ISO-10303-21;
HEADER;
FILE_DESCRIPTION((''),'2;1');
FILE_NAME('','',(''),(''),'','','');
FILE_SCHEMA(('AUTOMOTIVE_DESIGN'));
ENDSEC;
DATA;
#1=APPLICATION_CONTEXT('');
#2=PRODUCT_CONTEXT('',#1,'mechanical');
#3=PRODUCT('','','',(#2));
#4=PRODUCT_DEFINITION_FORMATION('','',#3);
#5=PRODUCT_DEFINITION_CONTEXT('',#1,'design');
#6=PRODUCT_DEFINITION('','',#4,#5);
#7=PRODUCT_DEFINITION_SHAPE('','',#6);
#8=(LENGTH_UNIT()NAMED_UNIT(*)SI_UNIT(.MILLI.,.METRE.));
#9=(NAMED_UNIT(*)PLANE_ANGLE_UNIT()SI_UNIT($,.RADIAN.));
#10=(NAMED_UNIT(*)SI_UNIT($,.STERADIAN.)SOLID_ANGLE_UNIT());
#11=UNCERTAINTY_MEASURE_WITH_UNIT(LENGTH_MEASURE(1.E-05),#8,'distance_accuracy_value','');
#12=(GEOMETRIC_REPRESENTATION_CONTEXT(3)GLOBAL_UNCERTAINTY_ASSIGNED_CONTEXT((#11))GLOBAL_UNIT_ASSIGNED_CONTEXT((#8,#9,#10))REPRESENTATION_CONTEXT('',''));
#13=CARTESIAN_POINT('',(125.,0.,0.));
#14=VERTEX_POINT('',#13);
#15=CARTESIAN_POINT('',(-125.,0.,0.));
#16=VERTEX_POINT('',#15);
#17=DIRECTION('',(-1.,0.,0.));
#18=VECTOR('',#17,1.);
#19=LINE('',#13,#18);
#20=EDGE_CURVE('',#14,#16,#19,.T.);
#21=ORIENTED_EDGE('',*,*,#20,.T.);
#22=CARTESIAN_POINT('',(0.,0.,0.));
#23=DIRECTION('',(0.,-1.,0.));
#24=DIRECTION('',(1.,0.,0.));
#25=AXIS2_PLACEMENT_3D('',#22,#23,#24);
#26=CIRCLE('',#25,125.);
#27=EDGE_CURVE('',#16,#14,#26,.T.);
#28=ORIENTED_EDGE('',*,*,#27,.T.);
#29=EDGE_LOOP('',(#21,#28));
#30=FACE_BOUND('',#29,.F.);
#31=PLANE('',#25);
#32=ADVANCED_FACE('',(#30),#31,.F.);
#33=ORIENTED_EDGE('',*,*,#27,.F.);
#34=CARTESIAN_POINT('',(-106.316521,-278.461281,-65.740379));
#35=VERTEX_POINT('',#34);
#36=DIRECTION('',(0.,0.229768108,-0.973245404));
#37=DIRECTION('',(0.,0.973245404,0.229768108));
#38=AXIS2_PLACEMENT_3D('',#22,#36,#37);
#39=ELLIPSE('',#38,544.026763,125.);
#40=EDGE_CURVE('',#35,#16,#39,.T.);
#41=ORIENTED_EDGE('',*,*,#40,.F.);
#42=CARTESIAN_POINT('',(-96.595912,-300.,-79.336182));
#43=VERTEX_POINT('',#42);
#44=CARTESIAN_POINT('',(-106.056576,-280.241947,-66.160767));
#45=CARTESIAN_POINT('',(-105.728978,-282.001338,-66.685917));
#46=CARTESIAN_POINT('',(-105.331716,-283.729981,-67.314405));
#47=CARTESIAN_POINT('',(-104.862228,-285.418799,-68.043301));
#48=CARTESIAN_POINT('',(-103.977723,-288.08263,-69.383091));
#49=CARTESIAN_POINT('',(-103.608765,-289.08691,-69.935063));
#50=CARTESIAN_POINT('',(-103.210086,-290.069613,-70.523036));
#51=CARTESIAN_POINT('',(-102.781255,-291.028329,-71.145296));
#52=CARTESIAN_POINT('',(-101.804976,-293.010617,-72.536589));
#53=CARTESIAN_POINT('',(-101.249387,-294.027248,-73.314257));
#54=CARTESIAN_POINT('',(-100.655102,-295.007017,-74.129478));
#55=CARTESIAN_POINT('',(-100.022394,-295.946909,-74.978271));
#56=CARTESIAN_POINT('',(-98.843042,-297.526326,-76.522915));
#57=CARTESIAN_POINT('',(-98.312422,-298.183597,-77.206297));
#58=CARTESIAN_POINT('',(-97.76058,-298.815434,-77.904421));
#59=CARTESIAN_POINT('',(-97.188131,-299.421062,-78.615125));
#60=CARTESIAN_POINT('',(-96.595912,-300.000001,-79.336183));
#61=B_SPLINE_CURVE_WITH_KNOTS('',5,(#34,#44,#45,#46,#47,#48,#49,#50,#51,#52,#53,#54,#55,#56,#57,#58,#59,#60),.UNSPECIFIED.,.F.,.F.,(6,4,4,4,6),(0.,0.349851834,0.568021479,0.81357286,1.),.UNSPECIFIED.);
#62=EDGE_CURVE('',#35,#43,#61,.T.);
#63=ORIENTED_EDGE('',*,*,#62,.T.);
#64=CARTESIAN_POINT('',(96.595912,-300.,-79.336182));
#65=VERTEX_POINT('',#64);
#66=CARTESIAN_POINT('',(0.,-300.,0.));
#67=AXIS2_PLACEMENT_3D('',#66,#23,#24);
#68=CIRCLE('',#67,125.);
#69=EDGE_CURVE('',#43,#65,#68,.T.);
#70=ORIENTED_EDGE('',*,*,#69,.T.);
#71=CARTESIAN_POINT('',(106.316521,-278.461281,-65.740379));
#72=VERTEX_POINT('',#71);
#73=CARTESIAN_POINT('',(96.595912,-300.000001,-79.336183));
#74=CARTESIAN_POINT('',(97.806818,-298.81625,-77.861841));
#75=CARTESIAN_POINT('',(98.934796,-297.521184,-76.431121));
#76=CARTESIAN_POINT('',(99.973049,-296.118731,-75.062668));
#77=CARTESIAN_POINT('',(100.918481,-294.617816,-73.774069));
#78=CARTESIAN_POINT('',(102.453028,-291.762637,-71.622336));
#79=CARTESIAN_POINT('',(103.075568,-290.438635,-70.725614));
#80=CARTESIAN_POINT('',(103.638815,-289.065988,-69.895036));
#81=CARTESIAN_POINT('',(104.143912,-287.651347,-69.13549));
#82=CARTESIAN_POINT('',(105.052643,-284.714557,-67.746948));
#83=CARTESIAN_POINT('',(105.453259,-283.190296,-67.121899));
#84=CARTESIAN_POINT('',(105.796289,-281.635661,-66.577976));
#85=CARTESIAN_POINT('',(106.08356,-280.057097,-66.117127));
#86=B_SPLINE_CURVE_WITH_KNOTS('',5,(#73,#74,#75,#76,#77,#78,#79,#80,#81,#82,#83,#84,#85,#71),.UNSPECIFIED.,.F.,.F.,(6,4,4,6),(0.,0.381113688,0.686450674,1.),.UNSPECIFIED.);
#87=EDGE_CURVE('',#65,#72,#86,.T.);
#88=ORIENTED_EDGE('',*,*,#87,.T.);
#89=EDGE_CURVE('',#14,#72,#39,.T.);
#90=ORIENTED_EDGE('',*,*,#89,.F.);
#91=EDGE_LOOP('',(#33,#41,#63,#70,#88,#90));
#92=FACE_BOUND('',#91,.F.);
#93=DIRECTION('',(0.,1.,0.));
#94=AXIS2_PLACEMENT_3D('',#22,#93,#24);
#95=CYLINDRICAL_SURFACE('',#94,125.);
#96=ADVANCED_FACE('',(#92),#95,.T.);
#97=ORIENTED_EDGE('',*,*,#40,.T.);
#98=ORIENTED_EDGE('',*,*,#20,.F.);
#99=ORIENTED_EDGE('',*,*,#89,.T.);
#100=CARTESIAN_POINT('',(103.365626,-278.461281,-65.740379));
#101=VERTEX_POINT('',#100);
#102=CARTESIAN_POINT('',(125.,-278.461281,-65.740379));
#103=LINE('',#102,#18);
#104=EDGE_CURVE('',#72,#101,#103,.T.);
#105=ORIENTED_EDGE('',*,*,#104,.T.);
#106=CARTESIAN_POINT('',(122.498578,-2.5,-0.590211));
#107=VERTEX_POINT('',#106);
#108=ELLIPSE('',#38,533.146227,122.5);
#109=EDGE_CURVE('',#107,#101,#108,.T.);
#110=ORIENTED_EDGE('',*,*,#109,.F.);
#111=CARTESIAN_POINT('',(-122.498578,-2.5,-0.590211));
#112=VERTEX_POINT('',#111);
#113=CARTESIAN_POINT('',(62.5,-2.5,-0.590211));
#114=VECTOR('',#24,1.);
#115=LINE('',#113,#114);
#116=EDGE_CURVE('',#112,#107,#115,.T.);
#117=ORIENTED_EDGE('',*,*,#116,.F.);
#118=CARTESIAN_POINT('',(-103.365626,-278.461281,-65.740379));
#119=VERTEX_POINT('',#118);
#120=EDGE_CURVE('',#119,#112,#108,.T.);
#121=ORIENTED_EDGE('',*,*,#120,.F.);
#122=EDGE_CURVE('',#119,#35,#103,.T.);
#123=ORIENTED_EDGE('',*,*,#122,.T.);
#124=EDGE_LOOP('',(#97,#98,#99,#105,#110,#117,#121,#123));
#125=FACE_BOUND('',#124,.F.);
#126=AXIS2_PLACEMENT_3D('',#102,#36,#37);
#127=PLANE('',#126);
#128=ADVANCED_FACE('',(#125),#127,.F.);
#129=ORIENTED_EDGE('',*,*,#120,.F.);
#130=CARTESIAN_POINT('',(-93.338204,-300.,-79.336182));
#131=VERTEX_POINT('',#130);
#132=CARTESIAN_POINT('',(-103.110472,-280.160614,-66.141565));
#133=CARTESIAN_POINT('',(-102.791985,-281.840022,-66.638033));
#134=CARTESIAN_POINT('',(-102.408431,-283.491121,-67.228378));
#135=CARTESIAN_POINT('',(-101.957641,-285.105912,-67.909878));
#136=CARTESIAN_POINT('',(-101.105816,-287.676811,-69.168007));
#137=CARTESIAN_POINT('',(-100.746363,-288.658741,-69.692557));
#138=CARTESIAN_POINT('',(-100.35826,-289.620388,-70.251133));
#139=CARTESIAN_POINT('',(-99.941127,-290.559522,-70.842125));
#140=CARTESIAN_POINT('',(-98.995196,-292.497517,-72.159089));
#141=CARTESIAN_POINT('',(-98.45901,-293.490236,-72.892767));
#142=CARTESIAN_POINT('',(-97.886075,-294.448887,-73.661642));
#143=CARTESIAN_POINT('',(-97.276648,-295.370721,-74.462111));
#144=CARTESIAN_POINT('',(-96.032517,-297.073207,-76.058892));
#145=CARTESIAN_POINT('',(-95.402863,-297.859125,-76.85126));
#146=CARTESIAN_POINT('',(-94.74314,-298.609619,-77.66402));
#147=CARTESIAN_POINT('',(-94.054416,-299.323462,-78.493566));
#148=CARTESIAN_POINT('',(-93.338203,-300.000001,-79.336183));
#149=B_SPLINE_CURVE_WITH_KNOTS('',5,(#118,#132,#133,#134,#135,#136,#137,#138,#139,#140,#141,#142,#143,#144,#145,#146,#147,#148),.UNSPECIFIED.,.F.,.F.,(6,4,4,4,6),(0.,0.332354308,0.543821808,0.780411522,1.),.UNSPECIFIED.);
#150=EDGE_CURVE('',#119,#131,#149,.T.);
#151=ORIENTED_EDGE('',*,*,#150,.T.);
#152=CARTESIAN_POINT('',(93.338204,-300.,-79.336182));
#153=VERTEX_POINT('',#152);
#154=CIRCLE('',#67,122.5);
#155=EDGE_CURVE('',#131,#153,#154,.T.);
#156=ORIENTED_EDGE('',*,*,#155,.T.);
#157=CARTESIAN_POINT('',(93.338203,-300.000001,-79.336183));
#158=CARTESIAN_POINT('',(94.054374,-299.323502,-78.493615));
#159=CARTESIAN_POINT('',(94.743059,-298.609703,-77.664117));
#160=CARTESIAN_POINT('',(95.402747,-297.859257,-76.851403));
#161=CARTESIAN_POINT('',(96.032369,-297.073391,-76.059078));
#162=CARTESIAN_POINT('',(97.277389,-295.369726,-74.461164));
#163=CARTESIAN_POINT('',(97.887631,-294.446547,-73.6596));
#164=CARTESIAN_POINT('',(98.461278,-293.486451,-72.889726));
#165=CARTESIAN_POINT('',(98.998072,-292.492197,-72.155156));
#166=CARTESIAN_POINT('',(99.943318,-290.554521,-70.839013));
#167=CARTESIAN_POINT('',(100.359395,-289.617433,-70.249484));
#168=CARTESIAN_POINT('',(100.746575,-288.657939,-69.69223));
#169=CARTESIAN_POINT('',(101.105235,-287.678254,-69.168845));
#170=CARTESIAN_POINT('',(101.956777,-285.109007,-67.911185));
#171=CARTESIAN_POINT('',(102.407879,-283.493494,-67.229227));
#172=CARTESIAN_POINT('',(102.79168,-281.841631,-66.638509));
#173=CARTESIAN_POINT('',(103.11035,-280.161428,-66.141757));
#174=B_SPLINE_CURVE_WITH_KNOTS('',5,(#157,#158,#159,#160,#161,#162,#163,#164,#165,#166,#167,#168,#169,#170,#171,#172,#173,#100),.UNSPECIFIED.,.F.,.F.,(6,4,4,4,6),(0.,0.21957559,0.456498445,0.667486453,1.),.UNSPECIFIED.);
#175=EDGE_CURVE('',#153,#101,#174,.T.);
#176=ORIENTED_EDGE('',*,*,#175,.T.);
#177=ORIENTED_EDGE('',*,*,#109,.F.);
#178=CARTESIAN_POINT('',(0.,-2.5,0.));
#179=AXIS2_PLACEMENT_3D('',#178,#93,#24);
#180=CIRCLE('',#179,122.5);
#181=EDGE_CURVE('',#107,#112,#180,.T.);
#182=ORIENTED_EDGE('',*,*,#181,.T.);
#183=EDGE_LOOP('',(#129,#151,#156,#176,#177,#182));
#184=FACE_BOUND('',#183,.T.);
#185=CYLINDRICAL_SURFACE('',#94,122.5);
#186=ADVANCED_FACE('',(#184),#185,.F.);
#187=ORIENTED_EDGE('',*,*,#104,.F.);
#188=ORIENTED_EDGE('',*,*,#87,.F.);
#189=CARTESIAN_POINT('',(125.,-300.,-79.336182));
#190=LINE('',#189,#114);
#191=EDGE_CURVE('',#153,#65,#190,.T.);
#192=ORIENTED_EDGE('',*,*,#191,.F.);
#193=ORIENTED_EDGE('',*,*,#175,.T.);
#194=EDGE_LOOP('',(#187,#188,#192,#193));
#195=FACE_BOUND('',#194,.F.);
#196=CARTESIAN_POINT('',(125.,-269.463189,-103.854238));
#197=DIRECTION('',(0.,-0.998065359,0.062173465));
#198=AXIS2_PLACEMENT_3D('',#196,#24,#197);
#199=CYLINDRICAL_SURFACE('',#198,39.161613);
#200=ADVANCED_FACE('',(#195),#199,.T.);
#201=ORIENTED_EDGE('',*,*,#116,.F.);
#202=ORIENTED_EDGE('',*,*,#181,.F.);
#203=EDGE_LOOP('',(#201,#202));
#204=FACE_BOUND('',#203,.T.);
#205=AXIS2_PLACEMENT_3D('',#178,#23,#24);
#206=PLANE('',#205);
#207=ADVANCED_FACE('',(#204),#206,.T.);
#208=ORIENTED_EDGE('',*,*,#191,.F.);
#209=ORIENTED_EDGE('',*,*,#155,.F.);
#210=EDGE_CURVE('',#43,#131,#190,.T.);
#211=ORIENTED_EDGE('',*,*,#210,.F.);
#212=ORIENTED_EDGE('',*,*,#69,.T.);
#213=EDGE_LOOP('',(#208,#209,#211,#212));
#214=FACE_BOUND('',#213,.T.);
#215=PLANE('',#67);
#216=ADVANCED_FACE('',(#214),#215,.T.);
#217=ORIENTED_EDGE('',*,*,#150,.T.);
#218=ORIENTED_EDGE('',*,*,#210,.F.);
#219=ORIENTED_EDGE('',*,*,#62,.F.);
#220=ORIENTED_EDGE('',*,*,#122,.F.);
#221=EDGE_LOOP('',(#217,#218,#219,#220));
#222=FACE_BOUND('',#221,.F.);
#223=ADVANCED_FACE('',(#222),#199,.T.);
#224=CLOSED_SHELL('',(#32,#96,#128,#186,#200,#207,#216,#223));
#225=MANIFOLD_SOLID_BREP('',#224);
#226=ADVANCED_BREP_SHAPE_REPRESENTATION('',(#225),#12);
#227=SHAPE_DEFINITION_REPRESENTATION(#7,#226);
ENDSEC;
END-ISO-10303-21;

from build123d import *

# Parameters (mm, degrees)
F0_R     = 125
F1_DEPTH = 300
F3_T     = -2.5
F5_DEPTH = 331


with BuildPart() as f1:
    # F0 (on Front) → F1 (new body)
    with BuildSketch(Plane.XZ):
        Circle(F0_R)
    extrude(amount=F1_DEPTH)

    # F3
    f3_openings = [f1.faces().sort_by_distance(p)[0] for p in [
        (0, -300, 0),
    ]]
    offset(amount=F3_T, openings=f3_openings)

    # F4 (on offset) → F5 (cut)
    with BuildSketch(Plane.YZ.offset(125)):
        with BuildLine():
            Line((-278.461281, -65.740379), (0, 0))
            Line((0, 0), (37.560482, 139.173388))
            Line((37.560482, 139.173388), (-357.278258, 144.254044))
            Line((-357.278258, 144.254044), (-367.802441, -101.419425))
            Line((-367.802441, -101.419425), (-308.549038, -101.419425))
            ThreePointArc((-308.549038, -101.419425), (-299.400873, -78.60811), (-278.461281, -65.740379))
        make_face()
    extrude(amount=-F5_DEPTH, mode=Mode.SUBTRACT)


solid = f1.part
